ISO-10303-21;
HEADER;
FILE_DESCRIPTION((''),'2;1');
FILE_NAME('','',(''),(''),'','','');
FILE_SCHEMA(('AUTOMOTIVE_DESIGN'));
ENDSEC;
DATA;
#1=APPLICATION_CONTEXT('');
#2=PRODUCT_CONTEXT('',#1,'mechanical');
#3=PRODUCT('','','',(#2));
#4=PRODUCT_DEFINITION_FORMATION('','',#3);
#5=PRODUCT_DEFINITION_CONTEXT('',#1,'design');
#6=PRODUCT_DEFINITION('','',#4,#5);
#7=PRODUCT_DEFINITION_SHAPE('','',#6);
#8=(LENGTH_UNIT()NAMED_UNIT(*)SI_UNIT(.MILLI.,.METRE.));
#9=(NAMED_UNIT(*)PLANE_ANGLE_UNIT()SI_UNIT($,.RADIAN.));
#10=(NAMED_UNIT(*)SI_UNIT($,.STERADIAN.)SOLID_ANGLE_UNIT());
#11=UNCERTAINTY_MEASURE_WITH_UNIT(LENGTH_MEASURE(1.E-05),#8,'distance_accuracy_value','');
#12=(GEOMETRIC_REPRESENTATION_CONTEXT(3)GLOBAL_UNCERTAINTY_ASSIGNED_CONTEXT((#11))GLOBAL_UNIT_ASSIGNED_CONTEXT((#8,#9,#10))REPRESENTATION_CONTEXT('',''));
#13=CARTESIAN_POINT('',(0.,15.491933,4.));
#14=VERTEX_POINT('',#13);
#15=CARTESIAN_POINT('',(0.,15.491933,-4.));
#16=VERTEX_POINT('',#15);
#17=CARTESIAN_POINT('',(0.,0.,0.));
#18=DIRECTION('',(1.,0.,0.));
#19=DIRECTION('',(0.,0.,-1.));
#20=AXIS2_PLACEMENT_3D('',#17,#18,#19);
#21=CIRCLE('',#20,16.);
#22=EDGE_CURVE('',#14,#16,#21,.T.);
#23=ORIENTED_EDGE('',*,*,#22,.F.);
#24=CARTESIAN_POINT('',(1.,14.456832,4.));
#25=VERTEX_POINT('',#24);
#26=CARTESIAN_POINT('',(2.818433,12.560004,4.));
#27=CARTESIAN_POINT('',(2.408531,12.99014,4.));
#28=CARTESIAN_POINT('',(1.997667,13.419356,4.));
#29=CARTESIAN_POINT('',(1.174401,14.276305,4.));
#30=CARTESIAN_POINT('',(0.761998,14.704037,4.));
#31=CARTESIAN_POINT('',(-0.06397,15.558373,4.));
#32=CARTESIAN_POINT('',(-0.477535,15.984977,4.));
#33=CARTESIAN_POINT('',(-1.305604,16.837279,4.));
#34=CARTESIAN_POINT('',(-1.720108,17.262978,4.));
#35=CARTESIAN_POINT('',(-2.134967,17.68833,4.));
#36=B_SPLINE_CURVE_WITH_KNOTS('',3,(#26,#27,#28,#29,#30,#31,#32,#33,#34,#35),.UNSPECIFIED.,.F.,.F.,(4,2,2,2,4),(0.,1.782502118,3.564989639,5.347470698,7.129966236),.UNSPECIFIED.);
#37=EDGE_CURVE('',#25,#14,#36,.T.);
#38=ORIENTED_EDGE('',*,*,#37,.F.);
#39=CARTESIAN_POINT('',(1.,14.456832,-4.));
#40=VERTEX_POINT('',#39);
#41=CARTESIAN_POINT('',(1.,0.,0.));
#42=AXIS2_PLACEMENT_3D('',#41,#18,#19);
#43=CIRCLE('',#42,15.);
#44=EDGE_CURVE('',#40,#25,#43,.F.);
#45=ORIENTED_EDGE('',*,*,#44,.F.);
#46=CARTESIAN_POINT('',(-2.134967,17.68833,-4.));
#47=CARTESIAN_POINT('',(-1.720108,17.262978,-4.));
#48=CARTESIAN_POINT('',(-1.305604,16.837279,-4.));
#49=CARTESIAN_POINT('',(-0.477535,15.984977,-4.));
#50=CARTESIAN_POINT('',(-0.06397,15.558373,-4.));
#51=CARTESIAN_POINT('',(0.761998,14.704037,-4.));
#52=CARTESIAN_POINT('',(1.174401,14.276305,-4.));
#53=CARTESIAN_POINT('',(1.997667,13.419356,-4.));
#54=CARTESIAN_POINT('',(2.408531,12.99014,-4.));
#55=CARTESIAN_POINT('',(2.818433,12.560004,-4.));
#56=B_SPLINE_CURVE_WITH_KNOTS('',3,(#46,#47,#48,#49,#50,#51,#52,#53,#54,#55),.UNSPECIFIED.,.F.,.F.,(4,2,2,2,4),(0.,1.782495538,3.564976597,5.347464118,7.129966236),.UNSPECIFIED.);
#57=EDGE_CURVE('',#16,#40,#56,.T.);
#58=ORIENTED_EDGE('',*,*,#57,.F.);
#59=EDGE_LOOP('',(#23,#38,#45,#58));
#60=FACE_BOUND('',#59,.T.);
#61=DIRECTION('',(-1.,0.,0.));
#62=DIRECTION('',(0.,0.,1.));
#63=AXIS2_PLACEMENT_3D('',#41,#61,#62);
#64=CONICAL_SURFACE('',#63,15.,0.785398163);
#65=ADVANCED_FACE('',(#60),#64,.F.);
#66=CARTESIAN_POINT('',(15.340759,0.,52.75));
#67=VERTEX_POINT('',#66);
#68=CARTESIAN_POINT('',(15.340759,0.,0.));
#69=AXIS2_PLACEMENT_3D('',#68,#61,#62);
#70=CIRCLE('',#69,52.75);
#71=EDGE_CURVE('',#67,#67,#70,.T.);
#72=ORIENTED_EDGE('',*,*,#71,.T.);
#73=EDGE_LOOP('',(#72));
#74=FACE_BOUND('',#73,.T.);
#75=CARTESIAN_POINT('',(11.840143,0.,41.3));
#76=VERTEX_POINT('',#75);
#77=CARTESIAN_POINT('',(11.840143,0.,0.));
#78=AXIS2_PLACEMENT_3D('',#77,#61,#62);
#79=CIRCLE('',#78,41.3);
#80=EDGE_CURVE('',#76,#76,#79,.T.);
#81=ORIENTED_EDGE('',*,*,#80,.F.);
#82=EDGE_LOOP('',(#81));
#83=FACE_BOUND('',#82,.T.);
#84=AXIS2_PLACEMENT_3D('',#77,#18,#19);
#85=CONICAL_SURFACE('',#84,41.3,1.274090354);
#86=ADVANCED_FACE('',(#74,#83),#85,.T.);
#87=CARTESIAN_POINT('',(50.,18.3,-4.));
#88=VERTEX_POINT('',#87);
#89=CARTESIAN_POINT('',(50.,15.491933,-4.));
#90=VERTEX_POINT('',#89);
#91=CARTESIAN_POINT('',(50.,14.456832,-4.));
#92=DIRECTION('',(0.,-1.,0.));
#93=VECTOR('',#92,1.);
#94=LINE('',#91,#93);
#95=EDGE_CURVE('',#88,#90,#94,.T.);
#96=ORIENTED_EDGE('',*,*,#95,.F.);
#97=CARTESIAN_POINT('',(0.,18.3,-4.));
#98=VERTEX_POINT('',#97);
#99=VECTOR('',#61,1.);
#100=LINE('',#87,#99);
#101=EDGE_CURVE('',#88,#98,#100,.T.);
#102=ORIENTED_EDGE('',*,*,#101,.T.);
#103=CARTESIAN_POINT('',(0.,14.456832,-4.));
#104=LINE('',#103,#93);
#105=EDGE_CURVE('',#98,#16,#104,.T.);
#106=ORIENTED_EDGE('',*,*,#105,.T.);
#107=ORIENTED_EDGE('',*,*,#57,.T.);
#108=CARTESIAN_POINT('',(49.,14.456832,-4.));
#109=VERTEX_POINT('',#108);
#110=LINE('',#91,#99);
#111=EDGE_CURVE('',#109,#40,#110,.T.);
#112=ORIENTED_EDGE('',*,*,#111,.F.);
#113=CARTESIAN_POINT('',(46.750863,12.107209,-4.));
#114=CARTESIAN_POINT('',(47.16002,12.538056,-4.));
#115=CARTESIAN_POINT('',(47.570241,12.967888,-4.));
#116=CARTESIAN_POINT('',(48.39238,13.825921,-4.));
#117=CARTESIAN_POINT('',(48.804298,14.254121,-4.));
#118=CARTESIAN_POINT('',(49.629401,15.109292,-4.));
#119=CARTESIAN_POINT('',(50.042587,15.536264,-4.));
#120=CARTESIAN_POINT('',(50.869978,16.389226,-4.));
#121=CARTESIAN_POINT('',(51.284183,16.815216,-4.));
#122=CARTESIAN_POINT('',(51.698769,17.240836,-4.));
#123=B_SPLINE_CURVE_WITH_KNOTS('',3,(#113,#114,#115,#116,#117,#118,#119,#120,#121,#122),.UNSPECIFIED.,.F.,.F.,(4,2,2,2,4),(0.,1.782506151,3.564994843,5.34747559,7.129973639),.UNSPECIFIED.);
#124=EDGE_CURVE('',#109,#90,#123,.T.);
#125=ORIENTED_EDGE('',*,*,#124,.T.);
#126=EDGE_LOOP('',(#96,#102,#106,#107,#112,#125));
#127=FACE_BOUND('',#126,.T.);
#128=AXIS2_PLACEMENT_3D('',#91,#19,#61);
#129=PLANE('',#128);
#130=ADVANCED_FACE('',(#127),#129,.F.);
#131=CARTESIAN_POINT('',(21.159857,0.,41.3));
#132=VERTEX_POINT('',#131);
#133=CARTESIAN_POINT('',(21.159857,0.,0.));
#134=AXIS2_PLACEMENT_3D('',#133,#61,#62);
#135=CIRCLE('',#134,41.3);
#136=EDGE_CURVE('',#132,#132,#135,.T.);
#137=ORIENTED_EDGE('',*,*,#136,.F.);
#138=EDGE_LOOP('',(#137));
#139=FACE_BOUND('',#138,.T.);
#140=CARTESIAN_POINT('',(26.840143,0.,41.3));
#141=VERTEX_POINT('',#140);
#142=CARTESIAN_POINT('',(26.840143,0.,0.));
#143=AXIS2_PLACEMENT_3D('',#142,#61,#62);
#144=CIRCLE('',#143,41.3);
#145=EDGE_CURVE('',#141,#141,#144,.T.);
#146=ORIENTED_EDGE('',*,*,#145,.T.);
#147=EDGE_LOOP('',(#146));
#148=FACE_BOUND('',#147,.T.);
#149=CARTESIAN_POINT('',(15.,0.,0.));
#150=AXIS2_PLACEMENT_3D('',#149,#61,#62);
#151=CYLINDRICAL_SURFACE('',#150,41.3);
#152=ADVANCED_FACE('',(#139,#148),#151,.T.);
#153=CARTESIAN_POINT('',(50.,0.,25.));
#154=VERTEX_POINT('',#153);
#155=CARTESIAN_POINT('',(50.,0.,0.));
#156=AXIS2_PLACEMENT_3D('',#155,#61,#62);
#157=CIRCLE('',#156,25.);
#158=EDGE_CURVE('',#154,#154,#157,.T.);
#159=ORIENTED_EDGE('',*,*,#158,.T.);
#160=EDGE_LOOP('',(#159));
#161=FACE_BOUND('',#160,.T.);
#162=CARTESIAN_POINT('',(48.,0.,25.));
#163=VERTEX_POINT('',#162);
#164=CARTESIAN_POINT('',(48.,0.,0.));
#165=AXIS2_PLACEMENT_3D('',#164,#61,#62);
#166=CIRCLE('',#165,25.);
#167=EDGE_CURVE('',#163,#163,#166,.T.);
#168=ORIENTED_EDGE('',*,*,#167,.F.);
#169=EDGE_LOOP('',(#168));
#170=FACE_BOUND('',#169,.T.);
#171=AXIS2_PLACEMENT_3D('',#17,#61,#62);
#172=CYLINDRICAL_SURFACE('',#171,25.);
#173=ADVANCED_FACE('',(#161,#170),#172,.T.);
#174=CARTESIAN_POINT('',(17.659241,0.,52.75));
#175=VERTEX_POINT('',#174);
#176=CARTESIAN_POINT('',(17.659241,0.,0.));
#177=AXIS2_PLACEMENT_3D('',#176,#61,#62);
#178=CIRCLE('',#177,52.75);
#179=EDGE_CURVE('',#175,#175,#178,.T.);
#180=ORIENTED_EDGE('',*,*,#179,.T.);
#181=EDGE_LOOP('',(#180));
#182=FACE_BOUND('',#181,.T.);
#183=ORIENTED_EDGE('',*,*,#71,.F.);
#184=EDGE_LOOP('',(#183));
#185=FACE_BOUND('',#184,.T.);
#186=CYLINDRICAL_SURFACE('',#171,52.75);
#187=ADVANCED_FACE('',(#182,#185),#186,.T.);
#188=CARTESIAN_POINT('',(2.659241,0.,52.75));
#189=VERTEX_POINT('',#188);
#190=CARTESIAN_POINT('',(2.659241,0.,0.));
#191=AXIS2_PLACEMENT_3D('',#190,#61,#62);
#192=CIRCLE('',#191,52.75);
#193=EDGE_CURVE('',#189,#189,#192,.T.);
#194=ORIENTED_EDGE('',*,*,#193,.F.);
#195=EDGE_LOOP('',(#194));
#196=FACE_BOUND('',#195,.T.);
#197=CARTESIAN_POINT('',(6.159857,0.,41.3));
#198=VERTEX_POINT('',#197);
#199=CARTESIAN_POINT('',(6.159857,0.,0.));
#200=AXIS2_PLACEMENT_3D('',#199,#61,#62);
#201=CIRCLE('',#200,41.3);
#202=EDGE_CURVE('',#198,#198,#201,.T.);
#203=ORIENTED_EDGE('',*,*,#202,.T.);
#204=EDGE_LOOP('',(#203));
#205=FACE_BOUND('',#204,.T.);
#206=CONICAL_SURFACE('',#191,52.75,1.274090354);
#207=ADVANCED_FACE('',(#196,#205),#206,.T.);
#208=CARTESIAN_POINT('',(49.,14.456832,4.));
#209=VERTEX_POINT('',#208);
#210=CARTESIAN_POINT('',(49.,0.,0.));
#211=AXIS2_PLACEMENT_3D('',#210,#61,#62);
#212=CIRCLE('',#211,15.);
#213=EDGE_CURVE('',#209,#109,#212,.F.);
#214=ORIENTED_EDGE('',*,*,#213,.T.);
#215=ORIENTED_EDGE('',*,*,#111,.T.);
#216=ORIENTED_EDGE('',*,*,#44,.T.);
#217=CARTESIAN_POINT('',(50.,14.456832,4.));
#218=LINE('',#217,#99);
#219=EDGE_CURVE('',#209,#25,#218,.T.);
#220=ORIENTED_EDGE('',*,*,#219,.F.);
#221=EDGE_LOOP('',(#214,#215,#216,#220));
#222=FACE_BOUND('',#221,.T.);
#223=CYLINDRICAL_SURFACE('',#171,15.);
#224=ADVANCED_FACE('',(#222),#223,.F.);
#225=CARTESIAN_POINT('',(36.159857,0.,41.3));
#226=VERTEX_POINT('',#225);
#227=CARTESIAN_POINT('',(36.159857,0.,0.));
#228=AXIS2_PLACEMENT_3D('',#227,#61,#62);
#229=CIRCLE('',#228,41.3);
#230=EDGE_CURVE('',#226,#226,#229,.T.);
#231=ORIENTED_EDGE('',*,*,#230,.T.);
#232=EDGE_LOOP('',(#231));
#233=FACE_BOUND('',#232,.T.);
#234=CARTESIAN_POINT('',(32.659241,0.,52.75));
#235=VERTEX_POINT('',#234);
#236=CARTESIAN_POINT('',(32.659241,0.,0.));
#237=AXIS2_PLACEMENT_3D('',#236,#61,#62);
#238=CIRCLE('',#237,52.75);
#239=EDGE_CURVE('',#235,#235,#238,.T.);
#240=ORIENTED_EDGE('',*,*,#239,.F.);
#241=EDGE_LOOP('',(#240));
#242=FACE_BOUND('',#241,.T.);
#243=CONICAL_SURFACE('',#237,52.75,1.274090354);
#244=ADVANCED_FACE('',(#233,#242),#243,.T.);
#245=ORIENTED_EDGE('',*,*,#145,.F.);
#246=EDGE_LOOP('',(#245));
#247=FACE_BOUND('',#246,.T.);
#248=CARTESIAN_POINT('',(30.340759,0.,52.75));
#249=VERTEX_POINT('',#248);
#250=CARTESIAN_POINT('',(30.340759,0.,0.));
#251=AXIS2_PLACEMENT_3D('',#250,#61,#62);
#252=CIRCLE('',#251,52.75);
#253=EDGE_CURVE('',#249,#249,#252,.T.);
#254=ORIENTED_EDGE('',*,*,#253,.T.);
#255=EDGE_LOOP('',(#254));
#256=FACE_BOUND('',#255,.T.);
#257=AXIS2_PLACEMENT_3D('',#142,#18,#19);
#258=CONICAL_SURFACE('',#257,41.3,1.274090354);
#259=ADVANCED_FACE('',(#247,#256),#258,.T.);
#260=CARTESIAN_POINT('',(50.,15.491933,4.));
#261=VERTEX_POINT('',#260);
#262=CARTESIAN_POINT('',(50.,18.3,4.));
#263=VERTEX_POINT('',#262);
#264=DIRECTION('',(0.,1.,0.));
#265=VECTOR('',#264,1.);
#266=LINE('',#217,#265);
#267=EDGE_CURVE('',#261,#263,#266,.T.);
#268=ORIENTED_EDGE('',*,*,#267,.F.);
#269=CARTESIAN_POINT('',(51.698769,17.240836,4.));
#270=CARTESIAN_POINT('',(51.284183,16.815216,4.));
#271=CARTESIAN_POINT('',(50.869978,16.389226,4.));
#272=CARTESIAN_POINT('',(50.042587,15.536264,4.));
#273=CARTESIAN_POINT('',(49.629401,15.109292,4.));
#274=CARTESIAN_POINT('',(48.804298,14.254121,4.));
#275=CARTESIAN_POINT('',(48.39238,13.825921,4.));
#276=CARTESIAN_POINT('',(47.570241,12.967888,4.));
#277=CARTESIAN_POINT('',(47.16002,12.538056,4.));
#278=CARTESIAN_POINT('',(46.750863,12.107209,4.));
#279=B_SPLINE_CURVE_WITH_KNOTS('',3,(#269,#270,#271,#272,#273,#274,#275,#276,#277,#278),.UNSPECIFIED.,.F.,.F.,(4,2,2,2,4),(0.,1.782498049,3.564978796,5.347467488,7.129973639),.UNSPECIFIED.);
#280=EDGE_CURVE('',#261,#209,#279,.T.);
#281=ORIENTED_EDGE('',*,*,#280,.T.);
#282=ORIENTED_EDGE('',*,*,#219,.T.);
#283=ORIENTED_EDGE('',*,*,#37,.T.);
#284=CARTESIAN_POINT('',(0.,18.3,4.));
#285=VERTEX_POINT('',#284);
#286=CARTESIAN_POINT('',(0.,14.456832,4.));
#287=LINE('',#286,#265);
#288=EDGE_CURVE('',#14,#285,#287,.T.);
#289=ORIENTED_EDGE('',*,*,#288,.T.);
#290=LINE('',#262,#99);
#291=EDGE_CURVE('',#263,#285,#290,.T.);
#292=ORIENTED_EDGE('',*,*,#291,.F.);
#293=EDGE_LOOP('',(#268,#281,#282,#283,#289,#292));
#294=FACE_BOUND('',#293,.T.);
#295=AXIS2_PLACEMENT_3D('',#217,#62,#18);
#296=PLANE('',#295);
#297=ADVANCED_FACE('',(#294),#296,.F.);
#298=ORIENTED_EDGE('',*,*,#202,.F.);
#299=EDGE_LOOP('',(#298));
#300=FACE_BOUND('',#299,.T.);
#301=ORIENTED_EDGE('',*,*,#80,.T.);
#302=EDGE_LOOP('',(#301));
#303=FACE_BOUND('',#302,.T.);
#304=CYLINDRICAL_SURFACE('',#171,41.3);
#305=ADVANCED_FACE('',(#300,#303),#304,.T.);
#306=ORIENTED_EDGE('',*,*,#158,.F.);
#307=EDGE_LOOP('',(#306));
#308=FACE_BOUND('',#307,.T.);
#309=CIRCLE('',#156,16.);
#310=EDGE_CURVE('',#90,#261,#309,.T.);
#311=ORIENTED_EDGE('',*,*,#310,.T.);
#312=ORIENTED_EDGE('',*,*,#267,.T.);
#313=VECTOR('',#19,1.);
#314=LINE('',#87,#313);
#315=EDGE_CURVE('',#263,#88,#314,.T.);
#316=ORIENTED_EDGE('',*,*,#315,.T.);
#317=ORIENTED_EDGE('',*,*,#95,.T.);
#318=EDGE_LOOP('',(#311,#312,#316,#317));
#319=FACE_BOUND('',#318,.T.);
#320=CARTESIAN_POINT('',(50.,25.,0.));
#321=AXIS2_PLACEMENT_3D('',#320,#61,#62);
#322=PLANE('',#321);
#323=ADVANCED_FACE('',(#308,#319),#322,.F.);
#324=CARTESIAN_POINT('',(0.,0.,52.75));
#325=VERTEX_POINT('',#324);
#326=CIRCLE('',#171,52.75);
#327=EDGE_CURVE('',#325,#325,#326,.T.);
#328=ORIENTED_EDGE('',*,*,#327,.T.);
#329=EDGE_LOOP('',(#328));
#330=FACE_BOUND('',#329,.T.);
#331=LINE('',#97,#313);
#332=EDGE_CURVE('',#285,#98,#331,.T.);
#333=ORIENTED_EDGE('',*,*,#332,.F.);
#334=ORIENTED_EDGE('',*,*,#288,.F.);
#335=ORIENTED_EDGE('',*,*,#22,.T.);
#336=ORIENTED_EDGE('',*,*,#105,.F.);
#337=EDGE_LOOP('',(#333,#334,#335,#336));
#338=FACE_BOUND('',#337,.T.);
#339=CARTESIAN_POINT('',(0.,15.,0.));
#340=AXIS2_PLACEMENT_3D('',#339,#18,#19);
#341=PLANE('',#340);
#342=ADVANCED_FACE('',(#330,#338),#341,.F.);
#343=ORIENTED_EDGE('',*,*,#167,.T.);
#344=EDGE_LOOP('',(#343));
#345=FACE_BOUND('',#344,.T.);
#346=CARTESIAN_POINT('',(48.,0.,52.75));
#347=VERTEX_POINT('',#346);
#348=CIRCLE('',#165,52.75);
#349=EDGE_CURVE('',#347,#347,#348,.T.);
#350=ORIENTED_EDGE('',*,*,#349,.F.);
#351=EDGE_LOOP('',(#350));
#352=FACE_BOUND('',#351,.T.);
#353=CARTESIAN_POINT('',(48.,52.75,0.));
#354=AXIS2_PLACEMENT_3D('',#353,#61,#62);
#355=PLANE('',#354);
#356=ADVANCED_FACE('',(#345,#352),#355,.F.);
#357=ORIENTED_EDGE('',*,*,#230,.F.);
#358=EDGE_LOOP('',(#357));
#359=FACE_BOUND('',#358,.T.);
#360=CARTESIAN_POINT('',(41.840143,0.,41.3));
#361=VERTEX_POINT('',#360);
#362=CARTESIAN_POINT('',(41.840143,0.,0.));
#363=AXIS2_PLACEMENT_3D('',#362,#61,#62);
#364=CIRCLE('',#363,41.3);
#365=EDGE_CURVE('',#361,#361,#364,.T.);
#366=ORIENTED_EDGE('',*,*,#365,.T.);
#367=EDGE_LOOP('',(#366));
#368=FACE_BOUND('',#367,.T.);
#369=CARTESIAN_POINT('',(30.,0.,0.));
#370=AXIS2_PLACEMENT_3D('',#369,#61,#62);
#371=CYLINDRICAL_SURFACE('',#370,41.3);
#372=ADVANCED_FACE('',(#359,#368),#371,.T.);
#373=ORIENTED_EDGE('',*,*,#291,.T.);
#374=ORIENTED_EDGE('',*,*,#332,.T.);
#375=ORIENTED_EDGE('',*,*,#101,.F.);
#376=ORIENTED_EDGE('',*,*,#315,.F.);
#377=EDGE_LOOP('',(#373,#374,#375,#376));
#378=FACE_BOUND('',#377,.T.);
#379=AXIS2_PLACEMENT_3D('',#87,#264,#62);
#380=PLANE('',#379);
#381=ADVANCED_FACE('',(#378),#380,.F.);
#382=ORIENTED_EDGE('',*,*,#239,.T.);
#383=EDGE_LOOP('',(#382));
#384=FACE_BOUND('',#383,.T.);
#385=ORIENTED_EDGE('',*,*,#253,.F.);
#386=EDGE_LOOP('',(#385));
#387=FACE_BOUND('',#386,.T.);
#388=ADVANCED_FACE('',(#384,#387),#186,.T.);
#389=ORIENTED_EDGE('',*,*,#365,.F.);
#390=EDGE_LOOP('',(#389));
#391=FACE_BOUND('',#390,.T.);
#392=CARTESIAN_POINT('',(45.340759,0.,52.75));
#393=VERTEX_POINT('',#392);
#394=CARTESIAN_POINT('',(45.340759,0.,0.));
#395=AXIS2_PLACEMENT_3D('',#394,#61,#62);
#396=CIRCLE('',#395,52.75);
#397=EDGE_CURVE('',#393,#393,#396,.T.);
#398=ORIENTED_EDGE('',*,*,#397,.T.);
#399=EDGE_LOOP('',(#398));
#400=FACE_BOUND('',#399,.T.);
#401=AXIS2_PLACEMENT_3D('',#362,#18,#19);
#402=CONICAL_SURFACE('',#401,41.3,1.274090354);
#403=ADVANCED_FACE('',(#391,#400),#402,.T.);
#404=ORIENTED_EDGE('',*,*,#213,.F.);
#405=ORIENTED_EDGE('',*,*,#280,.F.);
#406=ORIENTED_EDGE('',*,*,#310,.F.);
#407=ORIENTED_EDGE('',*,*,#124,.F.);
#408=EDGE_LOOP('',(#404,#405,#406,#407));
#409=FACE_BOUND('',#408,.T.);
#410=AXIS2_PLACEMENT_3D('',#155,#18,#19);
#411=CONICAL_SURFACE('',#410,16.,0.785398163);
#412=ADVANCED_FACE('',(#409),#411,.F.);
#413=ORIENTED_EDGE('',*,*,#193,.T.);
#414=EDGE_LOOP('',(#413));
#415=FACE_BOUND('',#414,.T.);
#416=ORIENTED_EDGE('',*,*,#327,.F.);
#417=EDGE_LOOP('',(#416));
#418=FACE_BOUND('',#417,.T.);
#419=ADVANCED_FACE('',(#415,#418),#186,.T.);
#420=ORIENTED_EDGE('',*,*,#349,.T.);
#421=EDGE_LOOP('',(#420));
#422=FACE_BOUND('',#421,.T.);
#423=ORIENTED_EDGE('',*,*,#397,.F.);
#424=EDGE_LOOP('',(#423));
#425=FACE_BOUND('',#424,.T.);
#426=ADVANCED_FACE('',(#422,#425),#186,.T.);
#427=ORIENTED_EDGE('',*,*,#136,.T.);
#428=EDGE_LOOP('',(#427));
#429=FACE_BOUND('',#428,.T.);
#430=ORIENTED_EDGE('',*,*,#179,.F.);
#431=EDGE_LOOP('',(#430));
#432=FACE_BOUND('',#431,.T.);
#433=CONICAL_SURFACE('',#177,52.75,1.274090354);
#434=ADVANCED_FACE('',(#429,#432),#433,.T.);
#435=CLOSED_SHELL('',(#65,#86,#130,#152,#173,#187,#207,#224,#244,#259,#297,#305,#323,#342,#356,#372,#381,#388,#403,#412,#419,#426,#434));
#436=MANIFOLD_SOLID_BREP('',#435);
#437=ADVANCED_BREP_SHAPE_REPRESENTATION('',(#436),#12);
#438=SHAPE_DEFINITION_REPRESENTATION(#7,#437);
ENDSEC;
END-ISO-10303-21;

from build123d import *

# Parameters (mm, degrees)
PATTERN_LINEAR_1_COUNT = 3
PATTERN_LINEAR_1_PITCH = 15
CHAMFER_1_SIZE         = 1
SKETCH_4_W             = 8
SKETCH_4_H             = 3.843167705
CUT_EXTRUDE_1_DEPTH    = 90.806040999


with BuildPart() as part:
    # 草图1 → 旋转1 (revolve)
    with BuildSketch(Plane.XY, mode=Mode.PRIVATE) as revolve_1_sk:
        Polygon((0, 15), (0, 52.75), (48, 52.75), (48, 25), (50, 25), (50, 15), align=None)
    revolve(revolve_1_sk.sketch.rotate(Axis((0, 0, 0), (1, 0, 0)), 90), axis=Axis((0, 0, 0), (1, 0, 0)))

    # 草图2 → 切除-旋转1 (revolve, cut)
    with BuildSketch(Plane.XY, mode=Mode.PRIVATE) as cut_revolve_1_sk:
        Polygon((11.840143071, 41.3), (15.340759374, 52.75), (2.659240626, 52.75), (6.159856929, 41.3), align=None)
    cut_revolve_1 = revolve(cut_revolve_1_sk.sketch.rotate(Axis((0, 0, 0), (1, 0, 0)), 90), axis=Axis((0, 0, 0), (1, 0, 0)), mode=Mode.SUBTRACT)

    # 阵列(线性)1: 切除-旋转1 ×3
    with Locations(*[(i * PATTERN_LINEAR_1_PITCH, 0, 0) for i in range(1, PATTERN_LINEAR_1_COUNT)]):
        add(cut_revolve_1, mode=Mode.SUBTRACT)

    # 倒角1
    chamfer_1_edges = [part.edges().sort_by_distance(p)[0] for p in [
        (50, 0, -15),
        (0, 0, -15),
    ]]
    chamfer(chamfer_1_edges, length=CHAMFER_1_SIZE)

    # 草图4 → 切除-拉伸1 (cut, through all)
    with BuildSketch(Plane.ZY):
        with Locations((0, 16.378416148)):
            Rectangle(SKETCH_4_W, SKETCH_4_H)
    extrude(amount=-CUT_EXTRUDE_1_DEPTH, mode=Mode.SUBTRACT)


solid = part.part
